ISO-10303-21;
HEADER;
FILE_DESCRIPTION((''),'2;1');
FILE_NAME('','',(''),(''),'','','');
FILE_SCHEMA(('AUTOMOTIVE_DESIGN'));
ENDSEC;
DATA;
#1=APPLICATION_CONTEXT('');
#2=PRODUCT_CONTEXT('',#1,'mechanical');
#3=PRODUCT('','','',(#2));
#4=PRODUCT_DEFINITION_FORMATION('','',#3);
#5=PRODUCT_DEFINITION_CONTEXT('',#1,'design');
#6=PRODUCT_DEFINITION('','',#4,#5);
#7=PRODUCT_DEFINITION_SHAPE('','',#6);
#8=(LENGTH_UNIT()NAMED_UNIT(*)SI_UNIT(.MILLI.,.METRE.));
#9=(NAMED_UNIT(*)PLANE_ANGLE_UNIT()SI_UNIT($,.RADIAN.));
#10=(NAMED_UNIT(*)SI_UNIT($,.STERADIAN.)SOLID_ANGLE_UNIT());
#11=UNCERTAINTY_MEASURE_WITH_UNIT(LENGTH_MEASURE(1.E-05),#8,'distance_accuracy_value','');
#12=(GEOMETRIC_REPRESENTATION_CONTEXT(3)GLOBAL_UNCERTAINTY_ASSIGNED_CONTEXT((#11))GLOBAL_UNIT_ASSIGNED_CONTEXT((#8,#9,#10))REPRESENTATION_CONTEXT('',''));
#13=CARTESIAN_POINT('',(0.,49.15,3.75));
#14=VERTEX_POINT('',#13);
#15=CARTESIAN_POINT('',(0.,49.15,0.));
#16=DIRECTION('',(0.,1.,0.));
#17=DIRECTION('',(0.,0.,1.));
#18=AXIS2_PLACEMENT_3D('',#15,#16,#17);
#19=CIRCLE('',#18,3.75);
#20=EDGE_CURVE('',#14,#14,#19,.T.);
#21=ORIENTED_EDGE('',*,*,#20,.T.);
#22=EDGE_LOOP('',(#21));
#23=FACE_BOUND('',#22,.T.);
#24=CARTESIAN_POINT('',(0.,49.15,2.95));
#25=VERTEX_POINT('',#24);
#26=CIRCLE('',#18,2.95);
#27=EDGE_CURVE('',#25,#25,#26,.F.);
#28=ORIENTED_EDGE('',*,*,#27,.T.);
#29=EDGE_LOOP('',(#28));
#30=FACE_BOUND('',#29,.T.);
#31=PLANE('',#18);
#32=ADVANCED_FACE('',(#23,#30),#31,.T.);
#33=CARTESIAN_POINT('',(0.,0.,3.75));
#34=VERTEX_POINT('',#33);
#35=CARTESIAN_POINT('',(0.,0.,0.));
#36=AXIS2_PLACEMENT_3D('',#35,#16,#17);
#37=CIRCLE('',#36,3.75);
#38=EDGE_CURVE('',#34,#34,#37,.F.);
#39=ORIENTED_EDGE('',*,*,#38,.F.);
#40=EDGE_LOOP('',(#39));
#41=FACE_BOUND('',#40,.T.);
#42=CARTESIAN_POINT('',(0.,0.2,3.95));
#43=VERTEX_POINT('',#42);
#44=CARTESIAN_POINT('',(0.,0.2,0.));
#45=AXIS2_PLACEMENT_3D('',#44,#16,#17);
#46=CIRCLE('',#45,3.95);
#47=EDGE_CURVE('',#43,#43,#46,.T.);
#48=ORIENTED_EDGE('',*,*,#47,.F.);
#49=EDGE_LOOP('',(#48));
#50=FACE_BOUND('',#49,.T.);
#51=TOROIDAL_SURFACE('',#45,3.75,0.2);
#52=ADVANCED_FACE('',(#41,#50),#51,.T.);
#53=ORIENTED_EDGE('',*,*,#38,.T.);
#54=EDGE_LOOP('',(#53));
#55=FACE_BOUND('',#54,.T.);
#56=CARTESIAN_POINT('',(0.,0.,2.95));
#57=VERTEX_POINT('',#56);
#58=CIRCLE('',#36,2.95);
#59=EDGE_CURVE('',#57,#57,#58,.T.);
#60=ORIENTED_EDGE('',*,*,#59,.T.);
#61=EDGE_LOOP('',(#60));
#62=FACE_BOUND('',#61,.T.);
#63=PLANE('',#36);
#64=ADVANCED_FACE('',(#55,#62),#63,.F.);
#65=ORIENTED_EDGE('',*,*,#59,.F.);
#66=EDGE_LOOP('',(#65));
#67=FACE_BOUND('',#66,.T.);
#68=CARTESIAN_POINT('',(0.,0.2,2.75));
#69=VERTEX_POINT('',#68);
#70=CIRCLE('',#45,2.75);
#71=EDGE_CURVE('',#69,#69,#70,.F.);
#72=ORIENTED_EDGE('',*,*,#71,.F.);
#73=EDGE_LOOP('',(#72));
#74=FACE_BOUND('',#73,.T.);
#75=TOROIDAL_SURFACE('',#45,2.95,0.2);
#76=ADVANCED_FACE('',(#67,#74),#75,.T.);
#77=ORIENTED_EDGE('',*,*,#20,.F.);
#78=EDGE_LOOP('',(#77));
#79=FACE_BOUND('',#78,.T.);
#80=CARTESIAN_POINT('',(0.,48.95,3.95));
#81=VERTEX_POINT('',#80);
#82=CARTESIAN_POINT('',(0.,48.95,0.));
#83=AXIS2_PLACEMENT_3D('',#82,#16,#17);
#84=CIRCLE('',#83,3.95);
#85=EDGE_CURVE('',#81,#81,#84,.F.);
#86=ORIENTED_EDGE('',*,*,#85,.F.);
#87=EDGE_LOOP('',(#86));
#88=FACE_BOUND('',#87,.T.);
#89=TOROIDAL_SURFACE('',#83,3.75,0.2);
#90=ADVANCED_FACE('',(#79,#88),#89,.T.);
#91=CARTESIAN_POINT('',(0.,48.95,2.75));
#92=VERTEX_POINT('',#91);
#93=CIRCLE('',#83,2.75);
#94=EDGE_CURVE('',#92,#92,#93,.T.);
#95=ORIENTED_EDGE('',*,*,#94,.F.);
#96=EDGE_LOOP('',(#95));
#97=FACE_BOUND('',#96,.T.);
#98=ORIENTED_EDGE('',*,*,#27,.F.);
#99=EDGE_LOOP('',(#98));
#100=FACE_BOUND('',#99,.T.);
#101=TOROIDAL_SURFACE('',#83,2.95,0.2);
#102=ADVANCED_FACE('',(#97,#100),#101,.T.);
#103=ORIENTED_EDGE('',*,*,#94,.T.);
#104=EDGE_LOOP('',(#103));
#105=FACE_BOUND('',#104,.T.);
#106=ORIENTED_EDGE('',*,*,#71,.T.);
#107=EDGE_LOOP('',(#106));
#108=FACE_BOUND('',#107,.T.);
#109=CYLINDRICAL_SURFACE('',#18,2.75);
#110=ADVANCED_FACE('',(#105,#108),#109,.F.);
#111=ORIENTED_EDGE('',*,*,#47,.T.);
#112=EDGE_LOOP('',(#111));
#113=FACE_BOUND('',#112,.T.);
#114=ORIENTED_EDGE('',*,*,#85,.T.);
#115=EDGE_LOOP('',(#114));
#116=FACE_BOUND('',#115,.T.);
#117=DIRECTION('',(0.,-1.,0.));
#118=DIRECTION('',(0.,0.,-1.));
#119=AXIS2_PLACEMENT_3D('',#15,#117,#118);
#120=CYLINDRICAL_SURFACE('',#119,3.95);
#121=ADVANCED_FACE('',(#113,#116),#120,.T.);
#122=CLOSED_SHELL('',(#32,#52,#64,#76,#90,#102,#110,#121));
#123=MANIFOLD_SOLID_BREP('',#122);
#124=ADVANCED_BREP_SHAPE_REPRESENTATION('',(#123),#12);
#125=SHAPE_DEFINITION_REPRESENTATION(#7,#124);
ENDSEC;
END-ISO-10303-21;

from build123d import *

# Parameters (mm, degrees)
SKETCH1_R                = 3.95
BOSS_EXTRUDE1_DEPTH      = 49.15
M5_CLEARANCE_HOLE1_D     = 5.5
M5_CLEARANCE_HOLE1_DEPTH = 49.15
M5_CLEARANCE_HOLE1_TIP   = 1.652366702
FILLET1_R                = 0.2


with BuildPart() as part:
    # Sketch1 → Boss-Extrude1 (new body)
    with BuildSketch(Plane(origin=(0, 0, 0), x_dir=(1, 0, 0), z_dir=(0, 1, 0))):
        Circle(SKETCH1_R)
    extrude(amount=BOSS_EXTRUDE1_DEPTH)

    # M5 Clearance Hole1
    with Locations(Plane(origin=(0, 49.15, 0), x_dir=(1, 0, 0), z_dir=(0, 1, 0))):
        with Locations((0, 0)):
            Hole(M5_CLEARANCE_HOLE1_D / 2, depth=M5_CLEARANCE_HOLE1_DEPTH)
            with Locations((0, 0, -(M5_CLEARANCE_HOLE1_DEPTH + M5_CLEARANCE_HOLE1_TIP / 2))):  # 118° drill point
                Cone(0, M5_CLEARANCE_HOLE1_D / 2, M5_CLEARANCE_HOLE1_TIP, mode=Mode.SUBTRACT)

    # Fillet1
    fillet1_edges = [part.edges().sort_by_distance(p)[0] for p in [
        (2.75, 0, 0),
        (-3.95, 0, 0),
        (-3.95, 49.15, 0),
        (2.75, 49.15, 0),
    ]]
    fillet(fillet1_edges, radius=FILLET1_R)


solid = part.part
